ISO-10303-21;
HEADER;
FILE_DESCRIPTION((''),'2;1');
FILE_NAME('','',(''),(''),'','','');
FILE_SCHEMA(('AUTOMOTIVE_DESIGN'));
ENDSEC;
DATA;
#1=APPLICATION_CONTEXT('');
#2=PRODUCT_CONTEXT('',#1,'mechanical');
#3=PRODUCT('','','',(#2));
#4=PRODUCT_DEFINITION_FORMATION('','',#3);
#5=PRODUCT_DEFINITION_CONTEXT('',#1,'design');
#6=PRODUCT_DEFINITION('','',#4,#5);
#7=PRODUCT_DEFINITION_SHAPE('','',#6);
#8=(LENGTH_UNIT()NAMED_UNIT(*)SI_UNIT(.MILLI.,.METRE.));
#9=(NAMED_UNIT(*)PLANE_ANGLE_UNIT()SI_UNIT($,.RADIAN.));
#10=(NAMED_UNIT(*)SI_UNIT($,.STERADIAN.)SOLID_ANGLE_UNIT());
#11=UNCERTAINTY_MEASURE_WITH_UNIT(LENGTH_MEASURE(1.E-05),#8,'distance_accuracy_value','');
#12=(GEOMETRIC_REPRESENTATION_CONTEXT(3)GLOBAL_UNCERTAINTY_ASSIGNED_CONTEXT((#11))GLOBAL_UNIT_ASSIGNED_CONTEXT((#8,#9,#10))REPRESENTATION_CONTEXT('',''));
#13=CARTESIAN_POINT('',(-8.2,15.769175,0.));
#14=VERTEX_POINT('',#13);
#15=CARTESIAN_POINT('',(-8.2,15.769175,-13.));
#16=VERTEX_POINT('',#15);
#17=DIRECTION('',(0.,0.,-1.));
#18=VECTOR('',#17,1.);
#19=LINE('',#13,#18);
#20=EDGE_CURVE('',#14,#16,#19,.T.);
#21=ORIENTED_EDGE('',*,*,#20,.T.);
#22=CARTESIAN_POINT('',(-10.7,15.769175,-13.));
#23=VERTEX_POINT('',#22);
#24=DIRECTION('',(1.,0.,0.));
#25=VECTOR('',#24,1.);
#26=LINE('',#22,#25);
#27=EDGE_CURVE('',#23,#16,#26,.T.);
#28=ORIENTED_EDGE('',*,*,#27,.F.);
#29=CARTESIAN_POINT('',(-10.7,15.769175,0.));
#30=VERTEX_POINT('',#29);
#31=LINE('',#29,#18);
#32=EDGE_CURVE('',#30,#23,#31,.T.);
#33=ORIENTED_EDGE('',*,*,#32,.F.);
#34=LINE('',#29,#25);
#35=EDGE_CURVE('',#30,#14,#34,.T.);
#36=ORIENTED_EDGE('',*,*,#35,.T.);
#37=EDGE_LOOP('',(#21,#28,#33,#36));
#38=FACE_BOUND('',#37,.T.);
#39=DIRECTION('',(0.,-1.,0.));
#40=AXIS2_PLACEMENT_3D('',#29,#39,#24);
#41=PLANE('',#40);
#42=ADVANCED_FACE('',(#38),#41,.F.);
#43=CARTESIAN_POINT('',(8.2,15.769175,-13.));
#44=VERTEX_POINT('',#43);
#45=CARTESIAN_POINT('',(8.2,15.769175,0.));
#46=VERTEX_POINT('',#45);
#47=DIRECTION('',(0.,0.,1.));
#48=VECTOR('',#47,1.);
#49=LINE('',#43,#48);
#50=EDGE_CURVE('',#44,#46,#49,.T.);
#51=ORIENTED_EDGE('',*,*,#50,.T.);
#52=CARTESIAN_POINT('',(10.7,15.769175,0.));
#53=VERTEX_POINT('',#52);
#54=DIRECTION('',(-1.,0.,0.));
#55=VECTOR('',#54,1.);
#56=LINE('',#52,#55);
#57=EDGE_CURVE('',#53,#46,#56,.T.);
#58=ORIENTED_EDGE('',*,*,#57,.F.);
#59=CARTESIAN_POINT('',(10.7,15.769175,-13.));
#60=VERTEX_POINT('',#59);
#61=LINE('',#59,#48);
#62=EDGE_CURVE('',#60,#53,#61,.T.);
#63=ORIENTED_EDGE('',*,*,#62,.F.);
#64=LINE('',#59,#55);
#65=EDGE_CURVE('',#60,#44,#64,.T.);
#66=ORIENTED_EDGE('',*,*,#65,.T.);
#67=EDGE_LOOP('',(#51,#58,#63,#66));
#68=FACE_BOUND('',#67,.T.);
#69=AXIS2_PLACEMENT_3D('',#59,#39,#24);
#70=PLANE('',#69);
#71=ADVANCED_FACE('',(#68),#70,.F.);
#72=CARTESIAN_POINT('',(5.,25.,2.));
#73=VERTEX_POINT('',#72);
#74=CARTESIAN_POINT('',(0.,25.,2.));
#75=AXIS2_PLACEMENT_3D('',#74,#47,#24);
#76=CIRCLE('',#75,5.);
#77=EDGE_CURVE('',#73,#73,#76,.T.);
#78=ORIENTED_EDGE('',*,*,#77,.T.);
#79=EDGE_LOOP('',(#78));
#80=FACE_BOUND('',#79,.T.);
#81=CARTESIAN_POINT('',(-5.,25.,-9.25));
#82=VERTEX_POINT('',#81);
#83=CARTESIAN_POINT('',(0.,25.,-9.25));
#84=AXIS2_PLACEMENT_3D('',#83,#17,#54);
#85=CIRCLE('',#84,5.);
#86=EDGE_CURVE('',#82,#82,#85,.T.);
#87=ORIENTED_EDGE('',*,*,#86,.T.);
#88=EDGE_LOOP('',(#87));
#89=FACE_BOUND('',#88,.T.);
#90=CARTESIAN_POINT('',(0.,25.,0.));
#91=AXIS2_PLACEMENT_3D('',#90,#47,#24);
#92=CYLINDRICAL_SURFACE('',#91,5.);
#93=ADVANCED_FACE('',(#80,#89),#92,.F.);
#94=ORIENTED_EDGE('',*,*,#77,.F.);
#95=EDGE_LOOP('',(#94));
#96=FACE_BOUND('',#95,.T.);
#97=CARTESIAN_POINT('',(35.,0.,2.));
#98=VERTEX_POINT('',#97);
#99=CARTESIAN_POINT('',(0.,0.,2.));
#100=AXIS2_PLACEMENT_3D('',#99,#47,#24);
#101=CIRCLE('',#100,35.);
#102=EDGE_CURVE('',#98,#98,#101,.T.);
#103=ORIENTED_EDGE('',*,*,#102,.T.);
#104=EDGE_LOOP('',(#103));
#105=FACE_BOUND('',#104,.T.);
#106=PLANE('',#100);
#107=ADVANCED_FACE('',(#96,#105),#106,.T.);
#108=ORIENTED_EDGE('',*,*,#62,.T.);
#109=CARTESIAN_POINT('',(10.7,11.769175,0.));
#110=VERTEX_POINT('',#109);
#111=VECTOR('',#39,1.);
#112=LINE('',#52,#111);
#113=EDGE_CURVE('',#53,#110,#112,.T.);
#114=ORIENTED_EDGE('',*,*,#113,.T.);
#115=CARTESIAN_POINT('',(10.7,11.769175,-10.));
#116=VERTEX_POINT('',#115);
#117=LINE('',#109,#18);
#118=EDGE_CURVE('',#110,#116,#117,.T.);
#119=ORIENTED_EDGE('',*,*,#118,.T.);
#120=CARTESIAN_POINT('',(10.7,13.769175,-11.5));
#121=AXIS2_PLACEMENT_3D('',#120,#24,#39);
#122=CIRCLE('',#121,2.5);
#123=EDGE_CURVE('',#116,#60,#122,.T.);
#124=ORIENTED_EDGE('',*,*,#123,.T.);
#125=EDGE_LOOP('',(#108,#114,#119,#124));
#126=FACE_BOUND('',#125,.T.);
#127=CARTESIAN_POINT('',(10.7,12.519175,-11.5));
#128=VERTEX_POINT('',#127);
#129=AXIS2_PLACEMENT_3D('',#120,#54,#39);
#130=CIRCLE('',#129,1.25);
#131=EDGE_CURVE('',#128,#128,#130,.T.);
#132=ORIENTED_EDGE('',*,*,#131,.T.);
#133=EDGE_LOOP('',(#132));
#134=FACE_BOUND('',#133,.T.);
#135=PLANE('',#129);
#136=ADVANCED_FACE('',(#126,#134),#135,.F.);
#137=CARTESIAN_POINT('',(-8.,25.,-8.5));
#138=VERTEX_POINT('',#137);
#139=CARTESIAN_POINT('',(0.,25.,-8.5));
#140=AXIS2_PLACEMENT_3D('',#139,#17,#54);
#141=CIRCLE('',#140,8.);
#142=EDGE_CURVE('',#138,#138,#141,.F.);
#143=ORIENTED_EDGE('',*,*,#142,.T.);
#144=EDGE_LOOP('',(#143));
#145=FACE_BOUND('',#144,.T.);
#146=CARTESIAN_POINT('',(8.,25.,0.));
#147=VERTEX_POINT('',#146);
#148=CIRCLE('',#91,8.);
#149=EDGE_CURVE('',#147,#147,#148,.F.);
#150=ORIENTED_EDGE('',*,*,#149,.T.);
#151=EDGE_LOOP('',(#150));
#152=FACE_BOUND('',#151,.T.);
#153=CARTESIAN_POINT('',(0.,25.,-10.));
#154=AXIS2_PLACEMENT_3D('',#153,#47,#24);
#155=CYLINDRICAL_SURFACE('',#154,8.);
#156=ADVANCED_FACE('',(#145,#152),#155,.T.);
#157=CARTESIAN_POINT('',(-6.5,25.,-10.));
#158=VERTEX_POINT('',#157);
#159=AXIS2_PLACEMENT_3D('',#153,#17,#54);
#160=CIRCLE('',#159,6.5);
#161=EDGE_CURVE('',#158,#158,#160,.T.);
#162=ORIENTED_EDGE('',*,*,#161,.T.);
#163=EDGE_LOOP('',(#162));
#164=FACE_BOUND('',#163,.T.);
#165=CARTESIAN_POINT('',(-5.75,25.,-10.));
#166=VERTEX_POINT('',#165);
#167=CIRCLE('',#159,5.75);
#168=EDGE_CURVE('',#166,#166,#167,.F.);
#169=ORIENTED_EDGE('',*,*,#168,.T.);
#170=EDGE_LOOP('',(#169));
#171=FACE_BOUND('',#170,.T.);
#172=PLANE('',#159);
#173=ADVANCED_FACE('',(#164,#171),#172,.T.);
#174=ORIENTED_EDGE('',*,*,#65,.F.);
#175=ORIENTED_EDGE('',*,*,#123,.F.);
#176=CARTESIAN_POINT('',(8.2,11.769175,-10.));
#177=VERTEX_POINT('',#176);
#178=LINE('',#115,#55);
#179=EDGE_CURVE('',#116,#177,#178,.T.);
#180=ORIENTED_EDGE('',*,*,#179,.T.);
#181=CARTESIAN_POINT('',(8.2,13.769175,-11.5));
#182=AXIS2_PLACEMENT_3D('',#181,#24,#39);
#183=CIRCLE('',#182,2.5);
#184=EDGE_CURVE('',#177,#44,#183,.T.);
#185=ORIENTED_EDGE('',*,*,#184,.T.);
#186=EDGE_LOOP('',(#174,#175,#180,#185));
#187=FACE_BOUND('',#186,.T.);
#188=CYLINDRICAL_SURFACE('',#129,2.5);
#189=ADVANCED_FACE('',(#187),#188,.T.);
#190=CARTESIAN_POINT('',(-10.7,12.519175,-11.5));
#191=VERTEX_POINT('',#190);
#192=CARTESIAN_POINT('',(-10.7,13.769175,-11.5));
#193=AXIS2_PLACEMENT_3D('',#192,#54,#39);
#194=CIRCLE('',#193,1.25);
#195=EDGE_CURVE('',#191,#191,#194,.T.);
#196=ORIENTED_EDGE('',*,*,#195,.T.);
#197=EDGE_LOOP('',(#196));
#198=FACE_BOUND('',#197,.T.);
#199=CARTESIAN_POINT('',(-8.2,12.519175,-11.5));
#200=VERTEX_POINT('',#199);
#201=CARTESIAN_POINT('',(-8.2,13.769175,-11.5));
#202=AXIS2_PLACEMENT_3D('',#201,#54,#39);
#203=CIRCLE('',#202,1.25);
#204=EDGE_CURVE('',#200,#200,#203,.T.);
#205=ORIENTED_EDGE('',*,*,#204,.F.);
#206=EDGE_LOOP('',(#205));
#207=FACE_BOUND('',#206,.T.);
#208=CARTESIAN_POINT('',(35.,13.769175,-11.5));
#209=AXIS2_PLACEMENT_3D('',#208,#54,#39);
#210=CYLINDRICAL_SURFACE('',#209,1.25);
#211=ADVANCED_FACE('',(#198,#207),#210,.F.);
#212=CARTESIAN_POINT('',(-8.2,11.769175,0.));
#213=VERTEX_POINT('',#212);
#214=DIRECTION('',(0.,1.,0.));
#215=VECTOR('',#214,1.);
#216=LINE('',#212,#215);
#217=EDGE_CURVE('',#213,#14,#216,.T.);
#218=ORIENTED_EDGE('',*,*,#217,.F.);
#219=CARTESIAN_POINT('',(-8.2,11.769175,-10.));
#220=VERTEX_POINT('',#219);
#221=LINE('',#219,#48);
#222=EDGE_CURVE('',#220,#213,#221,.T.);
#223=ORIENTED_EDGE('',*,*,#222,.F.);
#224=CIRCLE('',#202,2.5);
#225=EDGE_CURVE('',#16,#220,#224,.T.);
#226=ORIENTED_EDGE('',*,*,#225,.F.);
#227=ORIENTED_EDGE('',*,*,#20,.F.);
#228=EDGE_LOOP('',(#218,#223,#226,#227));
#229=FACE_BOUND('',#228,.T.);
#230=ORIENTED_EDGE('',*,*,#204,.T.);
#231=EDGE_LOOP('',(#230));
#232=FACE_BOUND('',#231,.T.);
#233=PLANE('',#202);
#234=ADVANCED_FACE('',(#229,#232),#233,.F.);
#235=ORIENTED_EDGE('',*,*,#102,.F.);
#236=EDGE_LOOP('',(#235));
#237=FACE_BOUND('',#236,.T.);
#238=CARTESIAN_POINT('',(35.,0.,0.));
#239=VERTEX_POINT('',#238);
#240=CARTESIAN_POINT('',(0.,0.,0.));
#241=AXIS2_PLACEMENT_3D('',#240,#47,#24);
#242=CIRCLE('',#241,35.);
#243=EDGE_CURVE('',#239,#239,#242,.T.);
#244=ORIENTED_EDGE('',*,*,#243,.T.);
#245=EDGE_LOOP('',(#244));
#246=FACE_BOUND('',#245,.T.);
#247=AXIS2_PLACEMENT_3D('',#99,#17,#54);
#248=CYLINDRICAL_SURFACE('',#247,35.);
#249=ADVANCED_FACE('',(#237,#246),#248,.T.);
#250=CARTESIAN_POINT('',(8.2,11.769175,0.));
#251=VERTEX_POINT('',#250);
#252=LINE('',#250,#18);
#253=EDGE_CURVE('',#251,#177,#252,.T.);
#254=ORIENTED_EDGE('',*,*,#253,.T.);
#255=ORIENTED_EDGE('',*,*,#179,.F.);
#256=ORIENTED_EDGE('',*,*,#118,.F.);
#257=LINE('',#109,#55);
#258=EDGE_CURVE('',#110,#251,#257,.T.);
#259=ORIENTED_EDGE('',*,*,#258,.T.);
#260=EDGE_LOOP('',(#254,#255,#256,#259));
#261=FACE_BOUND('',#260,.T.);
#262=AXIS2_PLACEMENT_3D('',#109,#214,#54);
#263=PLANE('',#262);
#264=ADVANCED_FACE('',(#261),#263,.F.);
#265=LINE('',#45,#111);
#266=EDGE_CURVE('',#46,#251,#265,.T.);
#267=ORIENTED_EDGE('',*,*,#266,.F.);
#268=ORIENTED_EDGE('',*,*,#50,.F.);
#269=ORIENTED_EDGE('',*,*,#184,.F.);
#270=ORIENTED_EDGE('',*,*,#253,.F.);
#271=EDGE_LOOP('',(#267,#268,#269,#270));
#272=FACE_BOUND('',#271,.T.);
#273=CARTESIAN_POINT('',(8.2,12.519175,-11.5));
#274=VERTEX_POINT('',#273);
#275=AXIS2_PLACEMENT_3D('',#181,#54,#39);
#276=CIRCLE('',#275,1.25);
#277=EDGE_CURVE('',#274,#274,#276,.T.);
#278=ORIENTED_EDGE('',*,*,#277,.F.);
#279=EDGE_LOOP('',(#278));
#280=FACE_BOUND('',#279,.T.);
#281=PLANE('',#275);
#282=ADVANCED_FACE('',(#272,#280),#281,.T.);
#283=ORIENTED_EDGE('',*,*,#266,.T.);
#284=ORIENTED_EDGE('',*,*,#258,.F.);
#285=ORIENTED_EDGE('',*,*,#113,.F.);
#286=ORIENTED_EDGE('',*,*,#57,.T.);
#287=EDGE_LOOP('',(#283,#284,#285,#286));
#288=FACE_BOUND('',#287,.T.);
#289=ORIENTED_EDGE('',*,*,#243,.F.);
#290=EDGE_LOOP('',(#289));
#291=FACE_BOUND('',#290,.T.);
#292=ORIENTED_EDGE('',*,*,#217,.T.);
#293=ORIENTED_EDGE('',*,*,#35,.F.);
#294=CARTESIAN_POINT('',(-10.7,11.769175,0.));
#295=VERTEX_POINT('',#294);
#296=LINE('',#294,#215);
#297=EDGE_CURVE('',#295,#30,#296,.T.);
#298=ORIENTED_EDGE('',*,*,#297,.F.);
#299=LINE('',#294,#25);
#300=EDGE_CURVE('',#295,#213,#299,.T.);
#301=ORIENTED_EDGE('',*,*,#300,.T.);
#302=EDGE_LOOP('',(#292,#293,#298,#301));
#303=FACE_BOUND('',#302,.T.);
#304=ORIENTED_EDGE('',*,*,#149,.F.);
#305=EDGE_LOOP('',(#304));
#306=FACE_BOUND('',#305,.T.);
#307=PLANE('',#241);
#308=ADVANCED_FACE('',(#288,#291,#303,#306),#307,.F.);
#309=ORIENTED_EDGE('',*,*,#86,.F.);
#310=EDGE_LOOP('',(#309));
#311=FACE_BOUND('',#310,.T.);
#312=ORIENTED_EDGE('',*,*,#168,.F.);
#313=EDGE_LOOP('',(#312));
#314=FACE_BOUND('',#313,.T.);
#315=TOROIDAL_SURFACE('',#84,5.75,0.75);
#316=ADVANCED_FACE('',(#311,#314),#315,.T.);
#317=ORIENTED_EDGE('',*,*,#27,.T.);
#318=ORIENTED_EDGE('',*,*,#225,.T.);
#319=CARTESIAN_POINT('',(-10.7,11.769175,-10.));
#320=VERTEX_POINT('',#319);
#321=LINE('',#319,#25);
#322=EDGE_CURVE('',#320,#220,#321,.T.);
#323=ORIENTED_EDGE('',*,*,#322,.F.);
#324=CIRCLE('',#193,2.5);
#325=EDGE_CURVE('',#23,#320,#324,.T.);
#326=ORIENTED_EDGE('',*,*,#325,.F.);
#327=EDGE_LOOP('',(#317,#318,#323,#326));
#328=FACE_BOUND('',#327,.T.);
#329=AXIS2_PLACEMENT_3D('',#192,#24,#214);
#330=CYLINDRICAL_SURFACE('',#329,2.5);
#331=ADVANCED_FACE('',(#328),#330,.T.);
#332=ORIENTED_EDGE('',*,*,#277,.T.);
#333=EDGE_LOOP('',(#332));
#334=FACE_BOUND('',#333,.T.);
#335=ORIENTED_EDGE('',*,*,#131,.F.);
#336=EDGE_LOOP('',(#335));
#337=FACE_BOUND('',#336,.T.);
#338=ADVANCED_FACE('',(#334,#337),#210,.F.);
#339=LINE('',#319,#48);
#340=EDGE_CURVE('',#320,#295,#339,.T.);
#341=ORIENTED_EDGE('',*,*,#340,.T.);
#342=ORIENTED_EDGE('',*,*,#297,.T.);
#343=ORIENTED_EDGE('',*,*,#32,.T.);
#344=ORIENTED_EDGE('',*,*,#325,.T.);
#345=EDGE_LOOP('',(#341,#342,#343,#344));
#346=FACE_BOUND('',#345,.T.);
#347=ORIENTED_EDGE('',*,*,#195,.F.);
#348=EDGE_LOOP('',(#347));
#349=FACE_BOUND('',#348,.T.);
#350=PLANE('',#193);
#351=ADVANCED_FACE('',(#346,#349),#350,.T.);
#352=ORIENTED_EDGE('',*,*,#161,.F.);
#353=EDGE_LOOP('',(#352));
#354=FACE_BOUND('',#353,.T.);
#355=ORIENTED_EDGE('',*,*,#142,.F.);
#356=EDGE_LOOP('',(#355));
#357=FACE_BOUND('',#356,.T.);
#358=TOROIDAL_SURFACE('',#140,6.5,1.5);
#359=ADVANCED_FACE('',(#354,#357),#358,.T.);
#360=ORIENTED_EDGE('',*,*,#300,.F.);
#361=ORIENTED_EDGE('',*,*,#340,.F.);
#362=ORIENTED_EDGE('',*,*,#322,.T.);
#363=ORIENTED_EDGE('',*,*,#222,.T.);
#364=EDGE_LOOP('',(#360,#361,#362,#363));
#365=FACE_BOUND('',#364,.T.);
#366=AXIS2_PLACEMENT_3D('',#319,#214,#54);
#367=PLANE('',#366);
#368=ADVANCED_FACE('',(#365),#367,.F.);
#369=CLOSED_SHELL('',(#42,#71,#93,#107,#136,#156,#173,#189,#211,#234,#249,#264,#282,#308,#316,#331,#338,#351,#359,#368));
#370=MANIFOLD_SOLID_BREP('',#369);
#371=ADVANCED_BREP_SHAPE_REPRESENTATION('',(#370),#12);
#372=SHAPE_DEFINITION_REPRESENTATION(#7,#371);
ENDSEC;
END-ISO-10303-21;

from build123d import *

# Parameters (mm, degrees)
SKETCH1_R           = 35
BOSS_EXTRUDE1_DEPTH = 2
SKETCH2_R           = 5
CUT_EXTRUDE2_DEPTH  = 2
SKETCH4_R           = 8
SKETCH4_R_2         = 5
BOSS_EXTRUDE3_DEPTH = 10
FILLET3_R           = 0.75
FILLET4_R           = 1.5
BOSS_EXTRUDE4_START = 0.2
BOSS_EXTRUDE4_DEPTH = 2.5
BOSS_EXTRUDE5_START = 2.7
BOSS_EXTRUDE5_DEPTH = 2.5
SKETCH7_R           = 1.25
CUT_EXTRUDE3_DEPTH  = 60.240948676


with BuildPart() as part:
    # Sketch1 → Boss-Extrude1 (new body)
    with BuildSketch(Plane.XY):
        Circle(SKETCH1_R)
    extrude(amount=BOSS_EXTRUDE1_DEPTH)

    # Sketch2 → Cut-Extrude2 (cut)
    with BuildSketch(Plane.XY.offset(2)):
        with Locations((0, 25)):
            Circle(SKETCH2_R)
    extrude(amount=-CUT_EXTRUDE2_DEPTH, mode=Mode.SUBTRACT)

    # Sketch4 → Boss-Extrude3 (add)
    with BuildSketch(Plane(origin=(0, 0, 0), x_dir=(-1, 0, 0), z_dir=(0, 0, -1))):
        with Locations(Location((0, 25, 0), (0, 0, 180))):
            Circle(SKETCH4_R)
        with Locations(Location((0, 25, 0), (0, 0, 180))):
            Circle(SKETCH4_R_2, mode=Mode.SUBTRACT)
    extrude(amount=BOSS_EXTRUDE3_DEPTH)

    # Fillet3
    fillet3_edges = [part.edges().sort_by_distance(p)[0] for p in [
        (-5, 25, -10),
    ]]
    fillet(fillet3_edges, radius=FILLET3_R)

    # Fillet4
    fillet4_edges = [part.edges().sort_by_distance(p)[0] for p in [
        (-8, 25, -10),
    ]]
    fillet(fillet4_edges, radius=FILLET4_R)

    # Sketch5 → Boss-Extrude4 (add)
    with BuildSketch(Plane(origin=(8, 0, 0), x_dir=(0, 0, -1), z_dir=(1, 0, 0)).offset(BOSS_EXTRUDE4_START)):
        with BuildLine():
            Line((13, 15.769174864), (0, 15.769174864))
            Line((0, 15.769174864), (0, 11.769174864))
            Line((0, 11.769174864), (10, 11.769174864))
            ThreePointArc((10, 11.769174864), (13.5, 12.269174864), (13, 15.769174864))
        make_face()
    extrude(amount=BOSS_EXTRUDE4_DEPTH)

    # Sketch6 → Boss-Extrude5 (add)
    with BuildSketch(Plane.ZY.offset(8).offset(BOSS_EXTRUDE5_START)):
        with BuildLine():
            Line((-10, 11.769174864), (0, 11.769174864))
            Line((0, 11.769174864), (0, 15.769174864))
            Line((0, 15.769174864), (-13, 15.769174864))
            ThreePointArc((-13, 15.769174864), (-13.5, 12.269174864), (-10, 11.769174864))
        make_face()
    extrude(amount=-BOSS_EXTRUDE5_DEPTH)

    # Sketch7 → Cut-Extrude3 (cut, through all)
    with BuildSketch(Plane.ZY.offset(10.7)):
        with Locations(Location((-11.5, 13.769174864, 0), (0, 0, 270))):
            Circle(SKETCH7_R)
    extrude(amount=-CUT_EXTRUDE3_DEPTH, mode=Mode.SUBTRACT)


solid = part.part
